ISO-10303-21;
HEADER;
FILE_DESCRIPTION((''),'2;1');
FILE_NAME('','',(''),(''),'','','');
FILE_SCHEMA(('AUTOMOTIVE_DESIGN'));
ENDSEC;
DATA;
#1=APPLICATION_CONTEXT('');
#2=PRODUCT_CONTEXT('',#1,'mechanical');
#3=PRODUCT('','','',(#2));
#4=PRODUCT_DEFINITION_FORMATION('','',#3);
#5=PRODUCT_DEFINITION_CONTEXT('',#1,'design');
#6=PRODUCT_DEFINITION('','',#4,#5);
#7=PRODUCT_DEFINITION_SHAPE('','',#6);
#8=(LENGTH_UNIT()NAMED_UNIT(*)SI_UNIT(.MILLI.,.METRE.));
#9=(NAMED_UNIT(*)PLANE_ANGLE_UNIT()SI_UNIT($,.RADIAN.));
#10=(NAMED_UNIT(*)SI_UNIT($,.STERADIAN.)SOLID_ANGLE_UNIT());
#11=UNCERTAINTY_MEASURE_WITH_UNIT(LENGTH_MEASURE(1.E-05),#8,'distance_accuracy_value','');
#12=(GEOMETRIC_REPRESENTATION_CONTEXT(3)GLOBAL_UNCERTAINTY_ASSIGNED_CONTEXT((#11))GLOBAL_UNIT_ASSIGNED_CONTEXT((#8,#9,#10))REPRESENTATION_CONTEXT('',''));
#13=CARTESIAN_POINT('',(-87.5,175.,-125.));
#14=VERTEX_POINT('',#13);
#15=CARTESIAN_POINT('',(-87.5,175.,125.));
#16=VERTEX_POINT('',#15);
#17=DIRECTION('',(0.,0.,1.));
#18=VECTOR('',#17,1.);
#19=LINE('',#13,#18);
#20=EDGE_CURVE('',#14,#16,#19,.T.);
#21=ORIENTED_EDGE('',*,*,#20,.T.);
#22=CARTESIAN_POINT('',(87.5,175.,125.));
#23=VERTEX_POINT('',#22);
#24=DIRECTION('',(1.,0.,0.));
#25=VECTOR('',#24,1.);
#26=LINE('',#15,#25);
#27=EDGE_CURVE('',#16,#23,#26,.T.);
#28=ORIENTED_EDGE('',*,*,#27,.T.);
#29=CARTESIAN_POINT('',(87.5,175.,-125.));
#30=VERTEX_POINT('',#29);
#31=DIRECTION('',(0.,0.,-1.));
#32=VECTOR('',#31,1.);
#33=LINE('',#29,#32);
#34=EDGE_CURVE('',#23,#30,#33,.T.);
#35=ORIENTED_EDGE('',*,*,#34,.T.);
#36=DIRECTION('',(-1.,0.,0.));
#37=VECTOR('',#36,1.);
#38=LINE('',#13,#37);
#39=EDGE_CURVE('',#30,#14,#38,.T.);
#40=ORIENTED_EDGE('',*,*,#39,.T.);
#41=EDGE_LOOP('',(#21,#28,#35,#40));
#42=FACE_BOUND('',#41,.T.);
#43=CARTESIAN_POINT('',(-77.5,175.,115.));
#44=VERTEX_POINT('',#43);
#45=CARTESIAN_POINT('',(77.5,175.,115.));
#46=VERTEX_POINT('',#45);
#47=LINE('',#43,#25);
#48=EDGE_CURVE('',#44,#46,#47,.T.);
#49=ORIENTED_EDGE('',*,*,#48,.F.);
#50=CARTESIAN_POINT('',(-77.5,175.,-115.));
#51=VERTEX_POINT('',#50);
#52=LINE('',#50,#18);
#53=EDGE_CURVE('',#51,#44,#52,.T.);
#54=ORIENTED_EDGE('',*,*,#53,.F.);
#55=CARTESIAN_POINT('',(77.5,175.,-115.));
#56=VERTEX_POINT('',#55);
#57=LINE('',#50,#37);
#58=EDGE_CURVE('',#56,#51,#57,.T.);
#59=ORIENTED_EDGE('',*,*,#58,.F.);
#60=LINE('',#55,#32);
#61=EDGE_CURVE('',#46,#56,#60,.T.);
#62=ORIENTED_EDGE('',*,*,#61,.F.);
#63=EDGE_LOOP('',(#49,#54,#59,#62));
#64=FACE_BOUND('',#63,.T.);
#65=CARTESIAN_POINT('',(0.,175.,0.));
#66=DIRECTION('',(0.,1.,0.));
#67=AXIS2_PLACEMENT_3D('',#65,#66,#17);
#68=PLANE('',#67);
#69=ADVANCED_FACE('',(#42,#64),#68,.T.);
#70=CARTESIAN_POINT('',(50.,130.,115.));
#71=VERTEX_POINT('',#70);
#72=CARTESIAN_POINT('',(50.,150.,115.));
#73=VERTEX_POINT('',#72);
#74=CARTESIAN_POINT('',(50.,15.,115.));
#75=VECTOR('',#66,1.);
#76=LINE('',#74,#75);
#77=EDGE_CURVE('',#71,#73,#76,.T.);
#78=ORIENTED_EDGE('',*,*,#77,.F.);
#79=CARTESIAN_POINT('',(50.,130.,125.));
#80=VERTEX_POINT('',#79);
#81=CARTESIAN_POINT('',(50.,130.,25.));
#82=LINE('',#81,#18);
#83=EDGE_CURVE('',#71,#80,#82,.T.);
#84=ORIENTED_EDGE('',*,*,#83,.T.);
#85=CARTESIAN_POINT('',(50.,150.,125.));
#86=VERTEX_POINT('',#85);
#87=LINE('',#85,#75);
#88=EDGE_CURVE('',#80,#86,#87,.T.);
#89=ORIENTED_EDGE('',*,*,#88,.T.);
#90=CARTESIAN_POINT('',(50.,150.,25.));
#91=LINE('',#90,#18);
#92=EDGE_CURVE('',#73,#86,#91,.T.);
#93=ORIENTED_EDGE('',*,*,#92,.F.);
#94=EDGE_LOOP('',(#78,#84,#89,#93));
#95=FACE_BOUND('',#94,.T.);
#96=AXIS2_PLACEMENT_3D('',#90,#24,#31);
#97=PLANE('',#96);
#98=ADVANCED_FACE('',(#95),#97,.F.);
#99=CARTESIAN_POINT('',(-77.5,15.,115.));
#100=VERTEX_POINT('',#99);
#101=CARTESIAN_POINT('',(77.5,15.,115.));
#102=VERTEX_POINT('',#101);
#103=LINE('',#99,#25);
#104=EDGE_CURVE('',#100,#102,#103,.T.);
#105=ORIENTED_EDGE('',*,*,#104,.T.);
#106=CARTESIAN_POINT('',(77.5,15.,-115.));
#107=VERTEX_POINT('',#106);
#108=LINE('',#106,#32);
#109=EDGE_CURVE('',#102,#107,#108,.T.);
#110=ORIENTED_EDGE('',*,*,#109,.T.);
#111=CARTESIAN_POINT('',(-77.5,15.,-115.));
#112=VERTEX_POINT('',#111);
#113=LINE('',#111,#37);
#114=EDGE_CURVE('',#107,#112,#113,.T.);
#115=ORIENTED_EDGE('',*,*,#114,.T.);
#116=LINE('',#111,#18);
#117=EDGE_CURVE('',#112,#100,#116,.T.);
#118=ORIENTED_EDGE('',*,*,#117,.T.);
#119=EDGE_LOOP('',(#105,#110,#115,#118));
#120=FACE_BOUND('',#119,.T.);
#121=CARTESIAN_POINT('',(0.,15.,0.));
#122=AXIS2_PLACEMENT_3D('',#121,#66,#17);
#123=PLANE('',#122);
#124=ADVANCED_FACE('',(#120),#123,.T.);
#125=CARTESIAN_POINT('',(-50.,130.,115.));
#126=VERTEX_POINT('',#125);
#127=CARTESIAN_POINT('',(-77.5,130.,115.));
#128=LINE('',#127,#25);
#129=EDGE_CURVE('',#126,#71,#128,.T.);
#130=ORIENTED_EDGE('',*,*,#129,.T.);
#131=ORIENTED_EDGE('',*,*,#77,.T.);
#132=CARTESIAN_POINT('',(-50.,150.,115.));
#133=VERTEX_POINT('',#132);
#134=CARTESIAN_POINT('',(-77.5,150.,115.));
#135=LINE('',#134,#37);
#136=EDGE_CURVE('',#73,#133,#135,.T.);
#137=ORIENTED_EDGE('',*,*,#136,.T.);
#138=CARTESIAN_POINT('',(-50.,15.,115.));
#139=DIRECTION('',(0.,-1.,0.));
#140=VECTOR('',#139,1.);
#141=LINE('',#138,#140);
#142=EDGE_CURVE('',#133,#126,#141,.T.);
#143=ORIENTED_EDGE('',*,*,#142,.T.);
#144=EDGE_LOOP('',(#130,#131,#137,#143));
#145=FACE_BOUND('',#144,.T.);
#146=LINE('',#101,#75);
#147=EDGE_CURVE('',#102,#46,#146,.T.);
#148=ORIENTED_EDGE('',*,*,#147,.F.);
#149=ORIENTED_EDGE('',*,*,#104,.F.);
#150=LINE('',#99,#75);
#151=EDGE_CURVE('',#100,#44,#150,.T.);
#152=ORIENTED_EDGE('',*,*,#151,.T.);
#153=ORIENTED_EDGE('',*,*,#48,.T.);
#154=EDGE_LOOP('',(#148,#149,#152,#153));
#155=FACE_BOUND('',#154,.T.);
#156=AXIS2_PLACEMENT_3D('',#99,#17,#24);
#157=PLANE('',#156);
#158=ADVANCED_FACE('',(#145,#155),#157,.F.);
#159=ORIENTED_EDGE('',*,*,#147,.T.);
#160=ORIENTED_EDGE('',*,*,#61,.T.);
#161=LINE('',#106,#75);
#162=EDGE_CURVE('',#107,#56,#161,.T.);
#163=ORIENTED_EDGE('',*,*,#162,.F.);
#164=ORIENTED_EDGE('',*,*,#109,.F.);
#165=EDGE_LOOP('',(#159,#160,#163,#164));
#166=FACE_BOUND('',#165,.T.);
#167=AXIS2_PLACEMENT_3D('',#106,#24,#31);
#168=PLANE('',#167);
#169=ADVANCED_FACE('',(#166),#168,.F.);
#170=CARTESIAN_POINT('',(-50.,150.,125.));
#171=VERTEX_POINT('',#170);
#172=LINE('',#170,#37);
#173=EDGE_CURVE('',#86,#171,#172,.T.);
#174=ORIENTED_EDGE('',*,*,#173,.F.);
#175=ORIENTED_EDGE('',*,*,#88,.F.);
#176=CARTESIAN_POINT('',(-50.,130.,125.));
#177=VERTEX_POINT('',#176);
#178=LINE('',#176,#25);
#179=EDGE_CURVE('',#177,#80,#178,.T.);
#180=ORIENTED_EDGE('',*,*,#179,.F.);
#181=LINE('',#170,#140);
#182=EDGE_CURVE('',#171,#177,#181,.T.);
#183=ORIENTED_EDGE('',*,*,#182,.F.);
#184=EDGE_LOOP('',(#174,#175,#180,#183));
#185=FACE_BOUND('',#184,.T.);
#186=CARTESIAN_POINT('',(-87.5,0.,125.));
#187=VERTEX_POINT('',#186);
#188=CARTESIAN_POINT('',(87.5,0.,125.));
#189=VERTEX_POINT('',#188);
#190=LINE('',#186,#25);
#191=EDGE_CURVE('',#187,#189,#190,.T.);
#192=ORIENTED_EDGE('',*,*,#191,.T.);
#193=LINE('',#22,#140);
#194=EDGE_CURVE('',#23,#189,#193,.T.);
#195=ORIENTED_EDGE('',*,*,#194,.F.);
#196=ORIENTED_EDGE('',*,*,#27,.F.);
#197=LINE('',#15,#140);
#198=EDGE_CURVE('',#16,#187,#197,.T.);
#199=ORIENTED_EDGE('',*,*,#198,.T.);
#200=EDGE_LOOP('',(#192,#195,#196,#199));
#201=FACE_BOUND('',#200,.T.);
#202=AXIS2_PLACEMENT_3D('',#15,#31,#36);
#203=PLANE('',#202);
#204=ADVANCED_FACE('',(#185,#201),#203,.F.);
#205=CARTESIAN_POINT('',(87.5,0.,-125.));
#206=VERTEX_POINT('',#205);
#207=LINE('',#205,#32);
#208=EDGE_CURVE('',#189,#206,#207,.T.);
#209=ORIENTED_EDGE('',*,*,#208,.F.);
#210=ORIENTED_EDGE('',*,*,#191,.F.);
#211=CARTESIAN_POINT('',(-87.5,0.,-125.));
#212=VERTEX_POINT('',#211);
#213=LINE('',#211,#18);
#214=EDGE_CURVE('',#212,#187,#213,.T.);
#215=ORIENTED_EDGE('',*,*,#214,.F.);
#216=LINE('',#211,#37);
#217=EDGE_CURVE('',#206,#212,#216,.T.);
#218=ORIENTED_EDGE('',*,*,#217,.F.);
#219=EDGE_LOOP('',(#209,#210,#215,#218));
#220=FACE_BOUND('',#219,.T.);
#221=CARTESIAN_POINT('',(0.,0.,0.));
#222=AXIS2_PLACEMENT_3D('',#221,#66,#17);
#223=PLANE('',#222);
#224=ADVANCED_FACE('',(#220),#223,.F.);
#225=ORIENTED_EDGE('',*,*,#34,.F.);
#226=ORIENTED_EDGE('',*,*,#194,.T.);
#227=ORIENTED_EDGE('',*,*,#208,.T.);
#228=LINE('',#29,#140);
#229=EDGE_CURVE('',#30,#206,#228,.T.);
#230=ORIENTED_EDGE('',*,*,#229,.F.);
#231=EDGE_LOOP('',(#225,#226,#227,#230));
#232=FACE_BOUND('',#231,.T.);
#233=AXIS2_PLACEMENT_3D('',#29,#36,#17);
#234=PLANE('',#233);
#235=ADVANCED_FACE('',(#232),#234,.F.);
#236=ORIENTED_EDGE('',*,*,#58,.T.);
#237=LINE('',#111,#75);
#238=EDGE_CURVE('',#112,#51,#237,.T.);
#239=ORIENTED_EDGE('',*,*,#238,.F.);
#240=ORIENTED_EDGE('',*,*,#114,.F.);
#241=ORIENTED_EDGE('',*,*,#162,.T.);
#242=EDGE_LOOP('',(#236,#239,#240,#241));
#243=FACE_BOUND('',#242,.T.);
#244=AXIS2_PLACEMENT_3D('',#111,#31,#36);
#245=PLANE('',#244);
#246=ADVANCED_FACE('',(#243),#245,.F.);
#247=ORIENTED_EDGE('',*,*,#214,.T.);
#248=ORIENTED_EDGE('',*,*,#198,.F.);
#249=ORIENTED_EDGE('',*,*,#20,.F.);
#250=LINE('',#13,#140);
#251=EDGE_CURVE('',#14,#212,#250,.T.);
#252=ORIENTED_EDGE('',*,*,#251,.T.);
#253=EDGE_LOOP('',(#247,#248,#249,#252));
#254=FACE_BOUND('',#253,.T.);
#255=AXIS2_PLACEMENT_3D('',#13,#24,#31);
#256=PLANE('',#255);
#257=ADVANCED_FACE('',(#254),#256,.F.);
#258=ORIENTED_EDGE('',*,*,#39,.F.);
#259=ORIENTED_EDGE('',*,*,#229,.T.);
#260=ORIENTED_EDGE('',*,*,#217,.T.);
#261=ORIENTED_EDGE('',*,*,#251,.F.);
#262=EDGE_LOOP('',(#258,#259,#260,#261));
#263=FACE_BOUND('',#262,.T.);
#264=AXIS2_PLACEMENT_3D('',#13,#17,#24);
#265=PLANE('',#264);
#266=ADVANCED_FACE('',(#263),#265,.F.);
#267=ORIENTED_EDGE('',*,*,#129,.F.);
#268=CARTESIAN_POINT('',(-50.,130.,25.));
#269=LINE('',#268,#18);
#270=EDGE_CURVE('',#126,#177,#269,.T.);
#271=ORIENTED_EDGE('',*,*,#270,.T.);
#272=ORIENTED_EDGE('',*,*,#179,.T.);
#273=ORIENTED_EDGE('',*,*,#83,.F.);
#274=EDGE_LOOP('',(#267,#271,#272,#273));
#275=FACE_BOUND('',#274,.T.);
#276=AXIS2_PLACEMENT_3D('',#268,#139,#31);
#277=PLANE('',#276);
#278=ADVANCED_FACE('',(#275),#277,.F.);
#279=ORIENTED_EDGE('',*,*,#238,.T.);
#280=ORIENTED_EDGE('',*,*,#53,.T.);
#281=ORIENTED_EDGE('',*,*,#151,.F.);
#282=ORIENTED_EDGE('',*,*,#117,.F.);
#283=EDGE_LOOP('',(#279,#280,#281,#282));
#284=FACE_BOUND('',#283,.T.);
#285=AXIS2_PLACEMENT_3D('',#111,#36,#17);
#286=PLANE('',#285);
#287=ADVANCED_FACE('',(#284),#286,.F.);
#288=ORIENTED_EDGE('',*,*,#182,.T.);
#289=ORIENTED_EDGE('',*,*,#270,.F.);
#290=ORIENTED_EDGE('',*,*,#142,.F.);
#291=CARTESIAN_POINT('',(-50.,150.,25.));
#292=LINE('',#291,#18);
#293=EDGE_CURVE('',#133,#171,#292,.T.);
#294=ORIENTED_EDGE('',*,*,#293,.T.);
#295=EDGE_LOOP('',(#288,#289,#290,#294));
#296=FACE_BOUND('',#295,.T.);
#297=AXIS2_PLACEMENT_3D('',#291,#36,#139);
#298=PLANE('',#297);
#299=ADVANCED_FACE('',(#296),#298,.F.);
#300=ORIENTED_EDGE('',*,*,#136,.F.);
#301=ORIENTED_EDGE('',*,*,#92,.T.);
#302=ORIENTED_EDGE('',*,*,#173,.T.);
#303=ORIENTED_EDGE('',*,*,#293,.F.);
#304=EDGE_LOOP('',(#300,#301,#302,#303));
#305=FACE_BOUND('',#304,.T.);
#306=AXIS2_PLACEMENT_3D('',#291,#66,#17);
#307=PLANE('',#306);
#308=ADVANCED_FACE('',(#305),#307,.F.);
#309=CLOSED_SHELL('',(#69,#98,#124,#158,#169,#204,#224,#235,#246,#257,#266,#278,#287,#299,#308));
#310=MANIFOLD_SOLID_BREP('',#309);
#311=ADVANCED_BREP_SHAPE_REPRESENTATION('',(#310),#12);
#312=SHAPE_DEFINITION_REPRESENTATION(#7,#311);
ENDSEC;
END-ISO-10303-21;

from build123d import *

# Parameters (mm, degrees)
SKETCH1_W           = 175
SKETCH1_H           = 250
BOSS_EXTRUDE1_DEPTH = 175
SKETCH2_W           = 155
SKETCH2_H           = 230
CUT_EXTRUDE1_DEPTH  = 160
SKETCH3_W           = 100
SKETCH3_H           = 20
CUT_EXTRUDE2_DEPTH  = 100


with BuildPart() as part:
    # Sketch1 → Boss-Extrude1 (new body)
    with BuildSketch(Plane(origin=(0, 0, 0), x_dir=(1, 0, 0), z_dir=(0, 1, 0))):
        Rectangle(SKETCH1_W, SKETCH1_H)
    extrude(amount=BOSS_EXTRUDE1_DEPTH)

    # Sketch2 → Cut-Extrude1 (cut)
    with BuildSketch(Plane(origin=(0, 175, 0), x_dir=(1, 0, 0), z_dir=(0, 1, 0))):
        Rectangle(SKETCH2_W, SKETCH2_H)
    extrude(amount=-CUT_EXTRUDE1_DEPTH, mode=Mode.SUBTRACT)

    # Sketch3 → Cut-Extrude2 (cut)
    with BuildSketch(Plane.XY.offset(125)):
        with Locations((0, 140)):
            Rectangle(SKETCH3_W, SKETCH3_H)
    extrude(amount=-CUT_EXTRUDE2_DEPTH, mode=Mode.SUBTRACT)


solid = part.part
